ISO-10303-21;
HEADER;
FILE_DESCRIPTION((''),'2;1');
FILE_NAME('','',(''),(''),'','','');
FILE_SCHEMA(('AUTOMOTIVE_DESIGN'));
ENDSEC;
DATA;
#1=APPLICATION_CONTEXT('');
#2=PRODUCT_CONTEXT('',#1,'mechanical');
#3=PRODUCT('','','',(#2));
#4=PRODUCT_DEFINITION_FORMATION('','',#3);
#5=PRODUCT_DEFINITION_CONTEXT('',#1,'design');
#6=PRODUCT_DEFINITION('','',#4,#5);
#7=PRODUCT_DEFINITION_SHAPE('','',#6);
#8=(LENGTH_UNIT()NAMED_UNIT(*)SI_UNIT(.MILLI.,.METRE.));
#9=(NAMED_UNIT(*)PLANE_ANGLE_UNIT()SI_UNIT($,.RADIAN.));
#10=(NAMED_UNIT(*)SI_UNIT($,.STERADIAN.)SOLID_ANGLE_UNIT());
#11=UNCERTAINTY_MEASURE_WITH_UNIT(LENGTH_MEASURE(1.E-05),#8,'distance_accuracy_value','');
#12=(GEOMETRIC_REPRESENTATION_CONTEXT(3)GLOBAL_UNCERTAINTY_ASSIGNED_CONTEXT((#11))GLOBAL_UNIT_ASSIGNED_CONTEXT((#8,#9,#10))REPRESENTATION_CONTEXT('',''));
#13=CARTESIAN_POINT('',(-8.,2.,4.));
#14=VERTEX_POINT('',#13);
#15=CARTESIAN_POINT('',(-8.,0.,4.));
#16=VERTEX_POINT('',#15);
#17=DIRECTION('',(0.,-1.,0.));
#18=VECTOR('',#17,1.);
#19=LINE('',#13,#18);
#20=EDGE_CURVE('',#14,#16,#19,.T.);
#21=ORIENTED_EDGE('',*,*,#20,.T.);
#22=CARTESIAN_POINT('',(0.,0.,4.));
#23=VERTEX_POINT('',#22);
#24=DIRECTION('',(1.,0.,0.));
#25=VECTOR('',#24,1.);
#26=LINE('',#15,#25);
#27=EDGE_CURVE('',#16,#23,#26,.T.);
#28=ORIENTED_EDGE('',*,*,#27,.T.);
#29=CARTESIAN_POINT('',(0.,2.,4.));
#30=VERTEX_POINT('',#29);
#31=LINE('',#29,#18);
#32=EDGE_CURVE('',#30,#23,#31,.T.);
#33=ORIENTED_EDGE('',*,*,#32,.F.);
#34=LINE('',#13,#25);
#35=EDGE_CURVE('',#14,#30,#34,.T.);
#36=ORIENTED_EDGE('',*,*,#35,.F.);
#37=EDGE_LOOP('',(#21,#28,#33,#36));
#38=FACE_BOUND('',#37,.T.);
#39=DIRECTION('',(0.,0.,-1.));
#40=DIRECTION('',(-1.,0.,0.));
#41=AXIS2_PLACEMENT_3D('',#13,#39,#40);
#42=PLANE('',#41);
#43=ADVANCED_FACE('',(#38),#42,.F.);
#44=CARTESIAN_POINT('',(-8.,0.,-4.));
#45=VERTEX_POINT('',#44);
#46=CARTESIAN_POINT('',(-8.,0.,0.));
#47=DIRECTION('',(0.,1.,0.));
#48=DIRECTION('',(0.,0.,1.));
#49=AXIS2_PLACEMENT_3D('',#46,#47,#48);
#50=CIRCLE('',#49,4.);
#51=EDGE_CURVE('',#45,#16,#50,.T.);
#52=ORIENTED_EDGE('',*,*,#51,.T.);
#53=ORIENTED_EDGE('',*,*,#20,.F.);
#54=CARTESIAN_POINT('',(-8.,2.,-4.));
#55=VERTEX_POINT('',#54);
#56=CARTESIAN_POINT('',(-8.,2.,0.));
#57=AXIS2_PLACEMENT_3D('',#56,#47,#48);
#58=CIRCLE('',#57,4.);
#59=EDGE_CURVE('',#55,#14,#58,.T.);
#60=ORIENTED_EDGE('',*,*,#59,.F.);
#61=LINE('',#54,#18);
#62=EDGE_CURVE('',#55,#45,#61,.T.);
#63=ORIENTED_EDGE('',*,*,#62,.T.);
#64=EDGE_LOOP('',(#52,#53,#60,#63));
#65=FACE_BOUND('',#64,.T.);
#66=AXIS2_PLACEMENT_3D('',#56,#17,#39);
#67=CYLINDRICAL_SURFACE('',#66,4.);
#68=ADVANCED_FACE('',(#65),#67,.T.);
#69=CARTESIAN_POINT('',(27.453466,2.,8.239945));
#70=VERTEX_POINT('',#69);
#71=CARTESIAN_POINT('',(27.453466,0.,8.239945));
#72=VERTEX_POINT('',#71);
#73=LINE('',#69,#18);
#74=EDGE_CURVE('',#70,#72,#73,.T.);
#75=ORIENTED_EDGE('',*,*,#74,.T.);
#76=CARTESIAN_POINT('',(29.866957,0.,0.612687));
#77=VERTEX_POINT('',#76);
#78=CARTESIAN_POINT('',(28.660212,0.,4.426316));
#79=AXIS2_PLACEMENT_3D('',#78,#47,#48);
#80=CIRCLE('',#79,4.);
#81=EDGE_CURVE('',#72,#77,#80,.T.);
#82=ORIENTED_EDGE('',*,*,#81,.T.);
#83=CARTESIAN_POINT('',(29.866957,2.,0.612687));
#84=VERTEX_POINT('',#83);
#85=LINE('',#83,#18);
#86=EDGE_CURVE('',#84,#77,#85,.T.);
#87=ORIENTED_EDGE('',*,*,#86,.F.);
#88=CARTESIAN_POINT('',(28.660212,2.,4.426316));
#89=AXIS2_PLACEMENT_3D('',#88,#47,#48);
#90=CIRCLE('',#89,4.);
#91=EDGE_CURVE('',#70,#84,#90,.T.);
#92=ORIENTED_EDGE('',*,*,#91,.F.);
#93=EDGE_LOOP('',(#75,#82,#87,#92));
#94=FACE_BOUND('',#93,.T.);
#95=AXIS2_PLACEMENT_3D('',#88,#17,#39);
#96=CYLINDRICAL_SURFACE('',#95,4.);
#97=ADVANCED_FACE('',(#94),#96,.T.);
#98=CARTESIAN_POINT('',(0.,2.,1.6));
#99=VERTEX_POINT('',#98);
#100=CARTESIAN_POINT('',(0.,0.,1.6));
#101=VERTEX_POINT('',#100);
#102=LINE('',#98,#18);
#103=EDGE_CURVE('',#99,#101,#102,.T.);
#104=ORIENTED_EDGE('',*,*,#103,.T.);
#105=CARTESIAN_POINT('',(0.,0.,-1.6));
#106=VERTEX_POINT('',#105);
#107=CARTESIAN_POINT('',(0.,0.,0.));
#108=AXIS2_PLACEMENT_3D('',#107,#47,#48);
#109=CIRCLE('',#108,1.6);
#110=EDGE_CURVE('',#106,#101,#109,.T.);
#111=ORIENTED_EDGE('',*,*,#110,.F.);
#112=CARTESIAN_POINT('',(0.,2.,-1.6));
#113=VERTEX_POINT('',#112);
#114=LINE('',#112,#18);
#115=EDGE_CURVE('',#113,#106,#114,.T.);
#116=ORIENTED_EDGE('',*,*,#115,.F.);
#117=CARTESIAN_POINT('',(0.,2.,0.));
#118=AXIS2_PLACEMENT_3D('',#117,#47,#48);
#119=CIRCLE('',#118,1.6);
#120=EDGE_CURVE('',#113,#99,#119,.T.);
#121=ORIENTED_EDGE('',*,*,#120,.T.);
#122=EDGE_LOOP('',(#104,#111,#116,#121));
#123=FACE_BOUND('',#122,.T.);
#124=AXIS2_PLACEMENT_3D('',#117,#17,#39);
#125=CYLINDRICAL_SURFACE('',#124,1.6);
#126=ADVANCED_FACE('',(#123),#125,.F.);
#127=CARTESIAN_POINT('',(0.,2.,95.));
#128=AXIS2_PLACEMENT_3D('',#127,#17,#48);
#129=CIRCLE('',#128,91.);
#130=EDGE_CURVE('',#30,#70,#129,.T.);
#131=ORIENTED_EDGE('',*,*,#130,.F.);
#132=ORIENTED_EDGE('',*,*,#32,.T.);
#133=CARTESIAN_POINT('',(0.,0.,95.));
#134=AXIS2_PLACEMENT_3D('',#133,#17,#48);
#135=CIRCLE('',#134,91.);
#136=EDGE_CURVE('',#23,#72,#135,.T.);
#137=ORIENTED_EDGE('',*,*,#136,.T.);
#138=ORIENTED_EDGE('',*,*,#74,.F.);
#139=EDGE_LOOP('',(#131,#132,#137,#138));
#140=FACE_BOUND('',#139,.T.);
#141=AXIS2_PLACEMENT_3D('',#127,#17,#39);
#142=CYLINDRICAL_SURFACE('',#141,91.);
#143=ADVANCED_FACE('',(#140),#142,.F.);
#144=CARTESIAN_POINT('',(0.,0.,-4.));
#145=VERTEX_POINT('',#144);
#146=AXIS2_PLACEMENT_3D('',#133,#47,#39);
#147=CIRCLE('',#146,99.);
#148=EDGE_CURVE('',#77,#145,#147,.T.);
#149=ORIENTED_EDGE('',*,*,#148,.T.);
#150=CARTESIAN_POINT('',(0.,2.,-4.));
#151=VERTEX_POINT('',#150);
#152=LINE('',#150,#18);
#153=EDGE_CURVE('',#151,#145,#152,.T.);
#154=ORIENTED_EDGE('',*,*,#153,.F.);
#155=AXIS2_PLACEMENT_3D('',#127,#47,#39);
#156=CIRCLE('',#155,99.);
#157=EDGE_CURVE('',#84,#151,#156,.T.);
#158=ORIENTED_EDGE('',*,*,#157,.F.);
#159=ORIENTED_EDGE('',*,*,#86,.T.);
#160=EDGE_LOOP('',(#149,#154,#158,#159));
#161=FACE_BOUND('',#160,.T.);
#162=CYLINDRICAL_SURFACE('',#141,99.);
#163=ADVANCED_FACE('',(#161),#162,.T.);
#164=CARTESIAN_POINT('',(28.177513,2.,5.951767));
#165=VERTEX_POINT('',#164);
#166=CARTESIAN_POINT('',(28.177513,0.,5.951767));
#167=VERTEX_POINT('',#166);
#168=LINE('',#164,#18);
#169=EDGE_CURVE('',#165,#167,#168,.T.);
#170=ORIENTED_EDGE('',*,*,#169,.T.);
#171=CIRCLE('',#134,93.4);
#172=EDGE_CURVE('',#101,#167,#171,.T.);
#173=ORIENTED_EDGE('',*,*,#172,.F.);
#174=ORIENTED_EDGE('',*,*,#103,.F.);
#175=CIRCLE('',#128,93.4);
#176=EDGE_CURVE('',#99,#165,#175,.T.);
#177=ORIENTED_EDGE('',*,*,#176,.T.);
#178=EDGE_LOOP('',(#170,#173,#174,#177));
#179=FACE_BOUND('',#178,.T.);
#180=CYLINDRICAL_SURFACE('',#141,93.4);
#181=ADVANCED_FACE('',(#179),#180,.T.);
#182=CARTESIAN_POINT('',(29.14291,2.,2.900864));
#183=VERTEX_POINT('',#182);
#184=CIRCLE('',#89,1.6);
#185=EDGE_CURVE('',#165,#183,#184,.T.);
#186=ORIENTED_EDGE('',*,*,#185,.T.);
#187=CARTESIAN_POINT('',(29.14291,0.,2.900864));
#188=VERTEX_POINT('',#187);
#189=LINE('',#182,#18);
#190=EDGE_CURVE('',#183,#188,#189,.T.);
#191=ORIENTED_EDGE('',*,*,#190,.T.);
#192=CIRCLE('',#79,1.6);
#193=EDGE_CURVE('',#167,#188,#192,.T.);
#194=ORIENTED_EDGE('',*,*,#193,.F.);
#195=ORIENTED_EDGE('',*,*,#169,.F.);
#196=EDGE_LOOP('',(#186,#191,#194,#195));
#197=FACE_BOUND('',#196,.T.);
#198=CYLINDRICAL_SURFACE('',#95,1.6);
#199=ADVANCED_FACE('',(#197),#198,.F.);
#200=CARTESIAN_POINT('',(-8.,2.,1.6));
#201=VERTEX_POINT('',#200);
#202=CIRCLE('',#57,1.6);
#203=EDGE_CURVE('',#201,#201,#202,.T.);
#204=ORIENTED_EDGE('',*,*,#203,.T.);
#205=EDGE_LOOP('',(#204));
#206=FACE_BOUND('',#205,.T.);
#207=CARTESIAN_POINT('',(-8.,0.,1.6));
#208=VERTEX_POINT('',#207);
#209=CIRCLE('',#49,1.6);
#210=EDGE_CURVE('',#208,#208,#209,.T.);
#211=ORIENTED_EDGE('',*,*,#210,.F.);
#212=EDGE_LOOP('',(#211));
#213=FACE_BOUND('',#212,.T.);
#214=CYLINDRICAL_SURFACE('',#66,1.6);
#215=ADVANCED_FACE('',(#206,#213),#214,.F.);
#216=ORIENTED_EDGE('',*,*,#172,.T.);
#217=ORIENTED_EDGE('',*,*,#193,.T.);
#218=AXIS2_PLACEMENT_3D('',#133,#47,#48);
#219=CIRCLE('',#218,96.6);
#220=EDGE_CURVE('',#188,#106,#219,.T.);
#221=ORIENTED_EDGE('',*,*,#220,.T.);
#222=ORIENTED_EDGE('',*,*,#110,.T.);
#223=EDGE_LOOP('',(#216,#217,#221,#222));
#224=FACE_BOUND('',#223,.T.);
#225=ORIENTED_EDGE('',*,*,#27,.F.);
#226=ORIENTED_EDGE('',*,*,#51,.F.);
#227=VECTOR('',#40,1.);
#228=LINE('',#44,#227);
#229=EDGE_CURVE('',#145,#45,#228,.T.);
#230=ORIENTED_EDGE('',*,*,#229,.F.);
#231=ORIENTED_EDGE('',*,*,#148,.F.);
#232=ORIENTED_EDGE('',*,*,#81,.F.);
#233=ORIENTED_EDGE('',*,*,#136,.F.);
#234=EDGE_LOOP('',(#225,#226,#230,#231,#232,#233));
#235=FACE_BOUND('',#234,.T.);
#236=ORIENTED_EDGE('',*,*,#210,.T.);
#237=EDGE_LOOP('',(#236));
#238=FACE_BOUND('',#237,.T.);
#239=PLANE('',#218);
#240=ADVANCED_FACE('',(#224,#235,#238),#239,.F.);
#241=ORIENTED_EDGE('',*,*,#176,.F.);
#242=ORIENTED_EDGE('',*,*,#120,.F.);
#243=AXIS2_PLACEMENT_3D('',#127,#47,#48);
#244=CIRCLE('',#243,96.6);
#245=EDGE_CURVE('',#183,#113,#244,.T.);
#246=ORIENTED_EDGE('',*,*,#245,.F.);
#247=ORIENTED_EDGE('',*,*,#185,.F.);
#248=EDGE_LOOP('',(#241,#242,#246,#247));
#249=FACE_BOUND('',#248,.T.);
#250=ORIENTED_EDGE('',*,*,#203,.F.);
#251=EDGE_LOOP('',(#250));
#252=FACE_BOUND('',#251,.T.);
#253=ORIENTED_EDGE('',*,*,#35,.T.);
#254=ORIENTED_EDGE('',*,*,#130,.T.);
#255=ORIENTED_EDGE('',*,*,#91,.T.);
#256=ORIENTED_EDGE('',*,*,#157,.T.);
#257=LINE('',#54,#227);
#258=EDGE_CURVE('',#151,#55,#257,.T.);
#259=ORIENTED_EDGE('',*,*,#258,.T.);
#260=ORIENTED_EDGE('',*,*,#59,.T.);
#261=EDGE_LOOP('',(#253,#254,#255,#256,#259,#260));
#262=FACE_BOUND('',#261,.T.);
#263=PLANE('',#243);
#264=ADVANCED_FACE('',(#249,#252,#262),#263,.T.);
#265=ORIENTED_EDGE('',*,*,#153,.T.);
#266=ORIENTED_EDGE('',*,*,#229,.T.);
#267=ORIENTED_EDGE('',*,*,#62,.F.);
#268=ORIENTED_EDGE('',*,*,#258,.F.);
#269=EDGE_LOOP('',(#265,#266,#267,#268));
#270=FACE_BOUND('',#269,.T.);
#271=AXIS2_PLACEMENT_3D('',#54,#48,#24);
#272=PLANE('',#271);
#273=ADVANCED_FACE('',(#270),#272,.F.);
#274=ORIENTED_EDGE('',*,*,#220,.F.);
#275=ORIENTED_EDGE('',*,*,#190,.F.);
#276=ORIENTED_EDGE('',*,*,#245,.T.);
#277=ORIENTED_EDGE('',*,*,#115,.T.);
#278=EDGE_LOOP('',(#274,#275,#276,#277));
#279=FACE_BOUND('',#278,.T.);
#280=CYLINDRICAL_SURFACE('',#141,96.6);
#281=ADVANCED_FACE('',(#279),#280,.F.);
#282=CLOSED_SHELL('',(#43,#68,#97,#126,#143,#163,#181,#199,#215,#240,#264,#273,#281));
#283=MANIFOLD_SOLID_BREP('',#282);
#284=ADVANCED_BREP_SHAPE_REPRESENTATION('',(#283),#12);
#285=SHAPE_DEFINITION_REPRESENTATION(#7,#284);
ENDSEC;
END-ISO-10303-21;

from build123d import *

# Parameters (mm, degrees)
SKETCH_2_R      = 1.6
EXTRUDE_1_DEPTH = 2


with BuildPart() as part:
    # 草图2 → 凸台-拉伸1 (new body)
    with BuildSketch(Plane(origin=(0, 0, 0), x_dir=(1, 0, 0), z_dir=(0, 1, 0))):
        with BuildLine():
            Line((-8, 4), (0, 4))
            ThreePointArc((0, 4), (15.110526316, 2.840032678), (29.866957344, -0.612686981))
            ThreePointArc((29.866957344, -0.612686981), (32.473840401, -5.633061541), (27.453465841, -8.239944598))
            ThreePointArc((27.453465841, -8.239944598), (13.889473684, -5.066232589), (0, -4))
            Line((0, -4), (-8, -4))
            ThreePointArc((-8, -4), (-12, 0), (-8, 4))
        make_face()
        with Locations((-8, 0)):
            Circle(SKETCH_2_R, mode=Mode.SUBTRACT)
        with BuildLine():
            ThreePointArc((29.142909893, -2.900864266), (14.744210526, 0.468153098), (0, 1.6))
            ThreePointArc((0, 1.6), (-1.6, 0), (0, -1.6))
            ThreePointArc((0, -1.6), (14.255789474, -2.694353009), (28.177513292, -5.951767313))
            ThreePointArc((28.177513292, -5.951767313), (30.185663116, -4.90901409), (29.142909893, -2.900864266))
        make_face(mode=Mode.SUBTRACT)
    extrude(amount=EXTRUDE_1_DEPTH)


solid = part.part
